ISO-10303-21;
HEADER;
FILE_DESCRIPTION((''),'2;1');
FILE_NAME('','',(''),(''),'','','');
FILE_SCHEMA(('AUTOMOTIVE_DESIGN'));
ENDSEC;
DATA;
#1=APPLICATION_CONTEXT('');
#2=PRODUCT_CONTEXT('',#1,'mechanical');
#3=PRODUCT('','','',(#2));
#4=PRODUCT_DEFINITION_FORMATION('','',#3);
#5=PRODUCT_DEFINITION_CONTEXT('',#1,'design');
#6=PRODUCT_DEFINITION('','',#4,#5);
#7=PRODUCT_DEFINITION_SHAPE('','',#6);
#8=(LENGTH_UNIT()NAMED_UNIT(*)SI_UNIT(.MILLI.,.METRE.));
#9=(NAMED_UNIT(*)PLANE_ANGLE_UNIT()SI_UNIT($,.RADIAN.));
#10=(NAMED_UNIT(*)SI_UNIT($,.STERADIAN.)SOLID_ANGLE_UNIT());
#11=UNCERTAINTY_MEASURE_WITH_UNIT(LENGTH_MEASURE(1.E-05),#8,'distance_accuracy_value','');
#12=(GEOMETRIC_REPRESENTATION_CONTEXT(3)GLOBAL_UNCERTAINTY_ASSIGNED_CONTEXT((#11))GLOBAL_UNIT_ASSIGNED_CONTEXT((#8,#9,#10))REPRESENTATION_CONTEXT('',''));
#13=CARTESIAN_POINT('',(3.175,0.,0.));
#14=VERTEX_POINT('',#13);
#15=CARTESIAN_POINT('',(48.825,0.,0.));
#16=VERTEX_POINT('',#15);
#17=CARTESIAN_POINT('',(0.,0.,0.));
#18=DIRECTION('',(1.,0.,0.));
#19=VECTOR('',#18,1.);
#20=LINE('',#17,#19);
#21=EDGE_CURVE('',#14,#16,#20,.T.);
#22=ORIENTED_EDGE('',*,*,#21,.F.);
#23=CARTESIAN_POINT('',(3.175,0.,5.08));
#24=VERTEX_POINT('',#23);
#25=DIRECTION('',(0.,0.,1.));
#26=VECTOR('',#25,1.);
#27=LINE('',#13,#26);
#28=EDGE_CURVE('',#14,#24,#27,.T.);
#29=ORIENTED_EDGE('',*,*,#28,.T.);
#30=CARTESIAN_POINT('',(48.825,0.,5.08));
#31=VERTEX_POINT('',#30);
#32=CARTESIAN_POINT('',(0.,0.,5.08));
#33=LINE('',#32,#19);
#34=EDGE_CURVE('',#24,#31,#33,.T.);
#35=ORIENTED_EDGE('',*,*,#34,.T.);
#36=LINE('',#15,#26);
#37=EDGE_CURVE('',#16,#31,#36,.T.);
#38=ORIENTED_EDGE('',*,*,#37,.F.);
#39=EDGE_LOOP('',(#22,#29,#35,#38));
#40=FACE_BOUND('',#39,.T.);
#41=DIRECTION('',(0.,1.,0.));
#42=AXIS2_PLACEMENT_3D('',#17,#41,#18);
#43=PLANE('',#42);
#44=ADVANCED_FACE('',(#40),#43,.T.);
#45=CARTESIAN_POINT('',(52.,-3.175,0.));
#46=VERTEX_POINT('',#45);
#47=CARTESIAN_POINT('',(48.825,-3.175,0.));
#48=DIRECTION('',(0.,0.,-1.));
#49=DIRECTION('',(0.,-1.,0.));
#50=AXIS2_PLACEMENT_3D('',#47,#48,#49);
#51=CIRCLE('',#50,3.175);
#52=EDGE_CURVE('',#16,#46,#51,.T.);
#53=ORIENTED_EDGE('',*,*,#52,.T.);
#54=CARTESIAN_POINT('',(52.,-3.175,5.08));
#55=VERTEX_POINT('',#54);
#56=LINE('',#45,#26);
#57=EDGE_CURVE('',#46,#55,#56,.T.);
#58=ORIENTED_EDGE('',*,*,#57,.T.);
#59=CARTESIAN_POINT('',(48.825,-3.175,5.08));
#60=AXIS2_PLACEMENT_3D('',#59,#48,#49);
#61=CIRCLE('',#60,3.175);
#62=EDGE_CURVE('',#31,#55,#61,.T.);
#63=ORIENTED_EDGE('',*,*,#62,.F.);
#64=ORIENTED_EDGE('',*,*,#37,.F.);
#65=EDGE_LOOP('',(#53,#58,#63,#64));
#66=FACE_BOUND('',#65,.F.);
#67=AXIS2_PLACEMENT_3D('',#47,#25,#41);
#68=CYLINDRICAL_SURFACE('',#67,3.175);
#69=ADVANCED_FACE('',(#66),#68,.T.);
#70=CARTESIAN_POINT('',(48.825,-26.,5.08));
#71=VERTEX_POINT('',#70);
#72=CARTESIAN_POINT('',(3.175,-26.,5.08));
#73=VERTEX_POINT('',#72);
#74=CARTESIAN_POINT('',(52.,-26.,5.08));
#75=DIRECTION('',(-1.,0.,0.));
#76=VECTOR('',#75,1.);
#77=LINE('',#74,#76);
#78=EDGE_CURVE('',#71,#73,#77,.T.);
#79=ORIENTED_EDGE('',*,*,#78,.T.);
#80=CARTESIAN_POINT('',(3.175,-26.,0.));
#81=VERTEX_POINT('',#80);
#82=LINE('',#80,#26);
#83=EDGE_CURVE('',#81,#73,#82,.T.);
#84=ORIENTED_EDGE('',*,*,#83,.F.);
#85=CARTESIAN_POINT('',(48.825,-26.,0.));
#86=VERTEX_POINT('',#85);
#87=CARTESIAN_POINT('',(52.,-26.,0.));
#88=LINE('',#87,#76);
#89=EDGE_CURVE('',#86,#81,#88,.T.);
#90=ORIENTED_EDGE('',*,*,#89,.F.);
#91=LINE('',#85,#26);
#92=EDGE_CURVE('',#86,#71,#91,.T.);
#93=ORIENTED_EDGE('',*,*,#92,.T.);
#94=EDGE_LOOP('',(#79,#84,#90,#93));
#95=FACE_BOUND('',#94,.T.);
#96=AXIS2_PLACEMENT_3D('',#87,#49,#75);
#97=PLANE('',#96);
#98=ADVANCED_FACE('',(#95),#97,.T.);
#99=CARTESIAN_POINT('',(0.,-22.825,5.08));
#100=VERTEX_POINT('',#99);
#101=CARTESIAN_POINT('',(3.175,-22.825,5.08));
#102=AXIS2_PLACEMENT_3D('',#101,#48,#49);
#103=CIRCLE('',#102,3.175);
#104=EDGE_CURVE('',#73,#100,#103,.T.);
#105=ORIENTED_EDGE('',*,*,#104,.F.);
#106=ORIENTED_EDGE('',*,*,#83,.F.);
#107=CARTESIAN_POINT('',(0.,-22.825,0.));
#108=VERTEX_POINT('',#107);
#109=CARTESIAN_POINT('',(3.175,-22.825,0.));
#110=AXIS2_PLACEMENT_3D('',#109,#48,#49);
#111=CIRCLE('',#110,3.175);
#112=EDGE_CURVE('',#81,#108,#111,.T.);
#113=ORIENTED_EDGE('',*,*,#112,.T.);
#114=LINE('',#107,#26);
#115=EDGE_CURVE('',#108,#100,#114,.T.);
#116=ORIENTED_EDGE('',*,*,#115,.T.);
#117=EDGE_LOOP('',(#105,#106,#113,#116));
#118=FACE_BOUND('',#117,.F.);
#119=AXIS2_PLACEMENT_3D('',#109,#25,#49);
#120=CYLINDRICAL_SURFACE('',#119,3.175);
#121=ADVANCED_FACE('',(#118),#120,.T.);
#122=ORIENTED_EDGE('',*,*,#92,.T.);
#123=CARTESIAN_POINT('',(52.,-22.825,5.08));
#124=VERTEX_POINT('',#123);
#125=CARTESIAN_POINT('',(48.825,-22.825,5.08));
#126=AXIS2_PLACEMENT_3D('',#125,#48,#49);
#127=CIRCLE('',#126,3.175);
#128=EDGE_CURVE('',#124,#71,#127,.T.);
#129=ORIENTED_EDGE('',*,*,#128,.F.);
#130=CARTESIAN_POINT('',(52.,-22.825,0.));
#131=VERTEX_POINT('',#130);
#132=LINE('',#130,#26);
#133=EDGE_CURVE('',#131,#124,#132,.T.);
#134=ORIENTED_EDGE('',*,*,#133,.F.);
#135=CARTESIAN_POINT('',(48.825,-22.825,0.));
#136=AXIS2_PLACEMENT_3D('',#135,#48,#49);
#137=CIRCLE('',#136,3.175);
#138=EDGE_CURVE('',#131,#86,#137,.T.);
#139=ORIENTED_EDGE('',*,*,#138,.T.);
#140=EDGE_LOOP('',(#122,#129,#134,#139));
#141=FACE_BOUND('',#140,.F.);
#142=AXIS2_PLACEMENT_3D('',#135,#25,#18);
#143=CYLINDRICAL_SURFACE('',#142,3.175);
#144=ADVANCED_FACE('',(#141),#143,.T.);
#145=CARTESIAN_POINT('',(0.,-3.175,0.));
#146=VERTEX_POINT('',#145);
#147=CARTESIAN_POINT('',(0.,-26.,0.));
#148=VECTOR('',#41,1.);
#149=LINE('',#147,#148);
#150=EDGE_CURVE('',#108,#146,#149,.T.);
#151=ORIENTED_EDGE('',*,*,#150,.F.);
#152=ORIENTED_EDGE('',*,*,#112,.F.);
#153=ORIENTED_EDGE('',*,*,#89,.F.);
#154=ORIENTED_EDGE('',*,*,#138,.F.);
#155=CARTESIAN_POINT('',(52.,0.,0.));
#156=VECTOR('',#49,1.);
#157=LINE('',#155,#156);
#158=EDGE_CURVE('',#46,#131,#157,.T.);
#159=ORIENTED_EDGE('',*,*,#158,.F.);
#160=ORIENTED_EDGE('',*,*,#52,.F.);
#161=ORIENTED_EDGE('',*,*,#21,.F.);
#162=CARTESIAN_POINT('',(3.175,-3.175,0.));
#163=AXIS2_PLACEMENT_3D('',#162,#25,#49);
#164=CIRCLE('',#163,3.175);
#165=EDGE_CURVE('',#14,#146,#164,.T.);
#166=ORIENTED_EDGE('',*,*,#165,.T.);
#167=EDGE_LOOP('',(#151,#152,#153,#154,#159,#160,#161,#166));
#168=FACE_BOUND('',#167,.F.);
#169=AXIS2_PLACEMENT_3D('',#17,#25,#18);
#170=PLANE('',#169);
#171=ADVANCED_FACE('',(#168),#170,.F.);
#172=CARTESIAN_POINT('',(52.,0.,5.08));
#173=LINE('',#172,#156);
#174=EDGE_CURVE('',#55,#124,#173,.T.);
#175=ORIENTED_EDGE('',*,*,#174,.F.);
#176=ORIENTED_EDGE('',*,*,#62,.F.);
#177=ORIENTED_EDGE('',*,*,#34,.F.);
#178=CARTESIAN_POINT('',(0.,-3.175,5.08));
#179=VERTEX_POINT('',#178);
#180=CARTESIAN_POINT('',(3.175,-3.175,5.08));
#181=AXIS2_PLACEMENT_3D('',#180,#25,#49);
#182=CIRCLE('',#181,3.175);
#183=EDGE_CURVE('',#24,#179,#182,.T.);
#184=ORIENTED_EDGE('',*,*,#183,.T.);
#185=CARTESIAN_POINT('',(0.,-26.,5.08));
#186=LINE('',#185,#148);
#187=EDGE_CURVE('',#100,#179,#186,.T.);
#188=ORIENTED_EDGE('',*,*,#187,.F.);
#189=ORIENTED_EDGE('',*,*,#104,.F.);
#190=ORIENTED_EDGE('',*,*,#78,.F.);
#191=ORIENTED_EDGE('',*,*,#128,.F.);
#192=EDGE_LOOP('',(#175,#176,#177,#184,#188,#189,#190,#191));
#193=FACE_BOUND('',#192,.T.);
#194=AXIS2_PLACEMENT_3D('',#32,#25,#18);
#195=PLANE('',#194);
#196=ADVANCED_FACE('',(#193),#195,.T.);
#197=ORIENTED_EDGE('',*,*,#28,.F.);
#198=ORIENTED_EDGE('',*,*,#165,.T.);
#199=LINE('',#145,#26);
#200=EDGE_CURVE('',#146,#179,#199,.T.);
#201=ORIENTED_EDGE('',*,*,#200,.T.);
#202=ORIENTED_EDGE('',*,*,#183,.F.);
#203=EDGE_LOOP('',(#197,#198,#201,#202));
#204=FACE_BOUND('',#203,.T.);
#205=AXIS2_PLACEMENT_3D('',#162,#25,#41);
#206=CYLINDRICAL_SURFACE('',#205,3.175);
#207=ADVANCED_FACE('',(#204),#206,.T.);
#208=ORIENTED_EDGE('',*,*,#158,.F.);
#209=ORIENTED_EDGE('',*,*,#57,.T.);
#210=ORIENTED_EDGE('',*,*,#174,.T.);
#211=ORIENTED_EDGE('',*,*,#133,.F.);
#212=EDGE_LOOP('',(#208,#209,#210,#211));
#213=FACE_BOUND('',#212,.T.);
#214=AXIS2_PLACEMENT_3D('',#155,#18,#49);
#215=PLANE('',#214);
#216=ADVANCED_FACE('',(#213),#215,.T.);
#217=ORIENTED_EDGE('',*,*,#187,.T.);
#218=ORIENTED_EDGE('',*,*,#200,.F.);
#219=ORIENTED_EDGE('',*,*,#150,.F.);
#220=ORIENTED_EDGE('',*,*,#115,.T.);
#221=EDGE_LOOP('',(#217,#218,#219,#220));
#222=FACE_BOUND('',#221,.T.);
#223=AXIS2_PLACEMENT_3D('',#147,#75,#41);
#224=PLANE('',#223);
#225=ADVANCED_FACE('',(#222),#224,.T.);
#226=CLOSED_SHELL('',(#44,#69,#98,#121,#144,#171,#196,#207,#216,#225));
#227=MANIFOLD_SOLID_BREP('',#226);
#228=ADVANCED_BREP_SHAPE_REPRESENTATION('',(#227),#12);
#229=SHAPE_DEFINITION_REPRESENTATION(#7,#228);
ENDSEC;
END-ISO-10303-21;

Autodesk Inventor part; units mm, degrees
ref_plane "YZ Plane" through (0, 0, 0) normal (1, 0, 0) x (0, 1, 0)
ref_plane "XZ Plane" through (0, 0, 0) normal (0, 1, 0) x (-1, 0, 0)
ref_plane "XY Plane" through (0, 0, 0) normal (0, 0, 1) x (1, 0, 0)
sketch "Sketch1" plane through (0, 0, 0) normal (0, 0, 1) x (1, 0, 0)
  line L0 (0, 0) -> (52, 0)
  line L1 (52, 0) -> (52, -26)
  line L2 (52, -26) -> (0, -26)
  line L3 (0, -26) -> (0, 0)
  dimension "d0" = 52
  dimension "d1" = 26
extrude "Extrusion1" add sketch "Sketch1" along normal blind 5.08
fillet "Fillet1" radius 3.175 4 edges at (52, 0, 2.54) (0, 0, 2.54) (52, -26, 2.54) (0, -26, 2.54)
properties part number "servo mout platform"
